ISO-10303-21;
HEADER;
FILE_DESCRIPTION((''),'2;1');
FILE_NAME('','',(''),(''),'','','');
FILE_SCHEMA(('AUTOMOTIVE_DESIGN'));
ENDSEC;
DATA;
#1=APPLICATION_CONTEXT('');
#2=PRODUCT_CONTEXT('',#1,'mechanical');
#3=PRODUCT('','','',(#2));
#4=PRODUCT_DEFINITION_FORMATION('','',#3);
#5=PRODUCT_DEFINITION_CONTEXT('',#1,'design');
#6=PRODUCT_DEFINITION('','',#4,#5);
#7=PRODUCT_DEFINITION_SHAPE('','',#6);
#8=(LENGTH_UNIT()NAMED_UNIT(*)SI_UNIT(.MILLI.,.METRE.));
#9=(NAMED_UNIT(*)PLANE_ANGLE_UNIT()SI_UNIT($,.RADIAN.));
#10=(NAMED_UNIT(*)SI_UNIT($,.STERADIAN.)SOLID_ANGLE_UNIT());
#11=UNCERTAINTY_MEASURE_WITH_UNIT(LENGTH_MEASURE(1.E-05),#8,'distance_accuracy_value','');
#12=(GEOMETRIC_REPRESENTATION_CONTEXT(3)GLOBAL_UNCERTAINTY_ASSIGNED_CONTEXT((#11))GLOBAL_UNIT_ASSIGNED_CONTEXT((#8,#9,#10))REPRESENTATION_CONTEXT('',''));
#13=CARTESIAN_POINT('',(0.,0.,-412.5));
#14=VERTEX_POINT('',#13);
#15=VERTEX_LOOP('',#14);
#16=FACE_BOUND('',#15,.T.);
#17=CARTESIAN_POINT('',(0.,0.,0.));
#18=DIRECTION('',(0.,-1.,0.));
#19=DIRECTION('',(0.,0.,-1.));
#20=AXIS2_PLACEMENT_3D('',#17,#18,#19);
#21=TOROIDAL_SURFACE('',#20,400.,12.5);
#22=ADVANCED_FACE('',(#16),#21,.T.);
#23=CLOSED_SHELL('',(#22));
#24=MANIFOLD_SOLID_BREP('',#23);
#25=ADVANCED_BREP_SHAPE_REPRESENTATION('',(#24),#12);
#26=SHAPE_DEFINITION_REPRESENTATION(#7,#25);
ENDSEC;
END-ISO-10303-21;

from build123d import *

# Parameters (mm, degrees)
CROQUIS1_R = 12.5


with BuildPart() as part:
    # Croquis1 → Revolución1 (revolve)
    with BuildSketch(Plane.XY, mode=Mode.PRIVATE) as revoluci_n1_sk:
        with Locations((400, 0)):
            Circle(CROQUIS1_R)
    revolve(revoluci_n1_sk.sketch.rotate(Axis((0, 0, 0), (0, 1, 0)), 90), axis=Axis((0, 0, 0), (0, 1, 0)))


solid = part.part
